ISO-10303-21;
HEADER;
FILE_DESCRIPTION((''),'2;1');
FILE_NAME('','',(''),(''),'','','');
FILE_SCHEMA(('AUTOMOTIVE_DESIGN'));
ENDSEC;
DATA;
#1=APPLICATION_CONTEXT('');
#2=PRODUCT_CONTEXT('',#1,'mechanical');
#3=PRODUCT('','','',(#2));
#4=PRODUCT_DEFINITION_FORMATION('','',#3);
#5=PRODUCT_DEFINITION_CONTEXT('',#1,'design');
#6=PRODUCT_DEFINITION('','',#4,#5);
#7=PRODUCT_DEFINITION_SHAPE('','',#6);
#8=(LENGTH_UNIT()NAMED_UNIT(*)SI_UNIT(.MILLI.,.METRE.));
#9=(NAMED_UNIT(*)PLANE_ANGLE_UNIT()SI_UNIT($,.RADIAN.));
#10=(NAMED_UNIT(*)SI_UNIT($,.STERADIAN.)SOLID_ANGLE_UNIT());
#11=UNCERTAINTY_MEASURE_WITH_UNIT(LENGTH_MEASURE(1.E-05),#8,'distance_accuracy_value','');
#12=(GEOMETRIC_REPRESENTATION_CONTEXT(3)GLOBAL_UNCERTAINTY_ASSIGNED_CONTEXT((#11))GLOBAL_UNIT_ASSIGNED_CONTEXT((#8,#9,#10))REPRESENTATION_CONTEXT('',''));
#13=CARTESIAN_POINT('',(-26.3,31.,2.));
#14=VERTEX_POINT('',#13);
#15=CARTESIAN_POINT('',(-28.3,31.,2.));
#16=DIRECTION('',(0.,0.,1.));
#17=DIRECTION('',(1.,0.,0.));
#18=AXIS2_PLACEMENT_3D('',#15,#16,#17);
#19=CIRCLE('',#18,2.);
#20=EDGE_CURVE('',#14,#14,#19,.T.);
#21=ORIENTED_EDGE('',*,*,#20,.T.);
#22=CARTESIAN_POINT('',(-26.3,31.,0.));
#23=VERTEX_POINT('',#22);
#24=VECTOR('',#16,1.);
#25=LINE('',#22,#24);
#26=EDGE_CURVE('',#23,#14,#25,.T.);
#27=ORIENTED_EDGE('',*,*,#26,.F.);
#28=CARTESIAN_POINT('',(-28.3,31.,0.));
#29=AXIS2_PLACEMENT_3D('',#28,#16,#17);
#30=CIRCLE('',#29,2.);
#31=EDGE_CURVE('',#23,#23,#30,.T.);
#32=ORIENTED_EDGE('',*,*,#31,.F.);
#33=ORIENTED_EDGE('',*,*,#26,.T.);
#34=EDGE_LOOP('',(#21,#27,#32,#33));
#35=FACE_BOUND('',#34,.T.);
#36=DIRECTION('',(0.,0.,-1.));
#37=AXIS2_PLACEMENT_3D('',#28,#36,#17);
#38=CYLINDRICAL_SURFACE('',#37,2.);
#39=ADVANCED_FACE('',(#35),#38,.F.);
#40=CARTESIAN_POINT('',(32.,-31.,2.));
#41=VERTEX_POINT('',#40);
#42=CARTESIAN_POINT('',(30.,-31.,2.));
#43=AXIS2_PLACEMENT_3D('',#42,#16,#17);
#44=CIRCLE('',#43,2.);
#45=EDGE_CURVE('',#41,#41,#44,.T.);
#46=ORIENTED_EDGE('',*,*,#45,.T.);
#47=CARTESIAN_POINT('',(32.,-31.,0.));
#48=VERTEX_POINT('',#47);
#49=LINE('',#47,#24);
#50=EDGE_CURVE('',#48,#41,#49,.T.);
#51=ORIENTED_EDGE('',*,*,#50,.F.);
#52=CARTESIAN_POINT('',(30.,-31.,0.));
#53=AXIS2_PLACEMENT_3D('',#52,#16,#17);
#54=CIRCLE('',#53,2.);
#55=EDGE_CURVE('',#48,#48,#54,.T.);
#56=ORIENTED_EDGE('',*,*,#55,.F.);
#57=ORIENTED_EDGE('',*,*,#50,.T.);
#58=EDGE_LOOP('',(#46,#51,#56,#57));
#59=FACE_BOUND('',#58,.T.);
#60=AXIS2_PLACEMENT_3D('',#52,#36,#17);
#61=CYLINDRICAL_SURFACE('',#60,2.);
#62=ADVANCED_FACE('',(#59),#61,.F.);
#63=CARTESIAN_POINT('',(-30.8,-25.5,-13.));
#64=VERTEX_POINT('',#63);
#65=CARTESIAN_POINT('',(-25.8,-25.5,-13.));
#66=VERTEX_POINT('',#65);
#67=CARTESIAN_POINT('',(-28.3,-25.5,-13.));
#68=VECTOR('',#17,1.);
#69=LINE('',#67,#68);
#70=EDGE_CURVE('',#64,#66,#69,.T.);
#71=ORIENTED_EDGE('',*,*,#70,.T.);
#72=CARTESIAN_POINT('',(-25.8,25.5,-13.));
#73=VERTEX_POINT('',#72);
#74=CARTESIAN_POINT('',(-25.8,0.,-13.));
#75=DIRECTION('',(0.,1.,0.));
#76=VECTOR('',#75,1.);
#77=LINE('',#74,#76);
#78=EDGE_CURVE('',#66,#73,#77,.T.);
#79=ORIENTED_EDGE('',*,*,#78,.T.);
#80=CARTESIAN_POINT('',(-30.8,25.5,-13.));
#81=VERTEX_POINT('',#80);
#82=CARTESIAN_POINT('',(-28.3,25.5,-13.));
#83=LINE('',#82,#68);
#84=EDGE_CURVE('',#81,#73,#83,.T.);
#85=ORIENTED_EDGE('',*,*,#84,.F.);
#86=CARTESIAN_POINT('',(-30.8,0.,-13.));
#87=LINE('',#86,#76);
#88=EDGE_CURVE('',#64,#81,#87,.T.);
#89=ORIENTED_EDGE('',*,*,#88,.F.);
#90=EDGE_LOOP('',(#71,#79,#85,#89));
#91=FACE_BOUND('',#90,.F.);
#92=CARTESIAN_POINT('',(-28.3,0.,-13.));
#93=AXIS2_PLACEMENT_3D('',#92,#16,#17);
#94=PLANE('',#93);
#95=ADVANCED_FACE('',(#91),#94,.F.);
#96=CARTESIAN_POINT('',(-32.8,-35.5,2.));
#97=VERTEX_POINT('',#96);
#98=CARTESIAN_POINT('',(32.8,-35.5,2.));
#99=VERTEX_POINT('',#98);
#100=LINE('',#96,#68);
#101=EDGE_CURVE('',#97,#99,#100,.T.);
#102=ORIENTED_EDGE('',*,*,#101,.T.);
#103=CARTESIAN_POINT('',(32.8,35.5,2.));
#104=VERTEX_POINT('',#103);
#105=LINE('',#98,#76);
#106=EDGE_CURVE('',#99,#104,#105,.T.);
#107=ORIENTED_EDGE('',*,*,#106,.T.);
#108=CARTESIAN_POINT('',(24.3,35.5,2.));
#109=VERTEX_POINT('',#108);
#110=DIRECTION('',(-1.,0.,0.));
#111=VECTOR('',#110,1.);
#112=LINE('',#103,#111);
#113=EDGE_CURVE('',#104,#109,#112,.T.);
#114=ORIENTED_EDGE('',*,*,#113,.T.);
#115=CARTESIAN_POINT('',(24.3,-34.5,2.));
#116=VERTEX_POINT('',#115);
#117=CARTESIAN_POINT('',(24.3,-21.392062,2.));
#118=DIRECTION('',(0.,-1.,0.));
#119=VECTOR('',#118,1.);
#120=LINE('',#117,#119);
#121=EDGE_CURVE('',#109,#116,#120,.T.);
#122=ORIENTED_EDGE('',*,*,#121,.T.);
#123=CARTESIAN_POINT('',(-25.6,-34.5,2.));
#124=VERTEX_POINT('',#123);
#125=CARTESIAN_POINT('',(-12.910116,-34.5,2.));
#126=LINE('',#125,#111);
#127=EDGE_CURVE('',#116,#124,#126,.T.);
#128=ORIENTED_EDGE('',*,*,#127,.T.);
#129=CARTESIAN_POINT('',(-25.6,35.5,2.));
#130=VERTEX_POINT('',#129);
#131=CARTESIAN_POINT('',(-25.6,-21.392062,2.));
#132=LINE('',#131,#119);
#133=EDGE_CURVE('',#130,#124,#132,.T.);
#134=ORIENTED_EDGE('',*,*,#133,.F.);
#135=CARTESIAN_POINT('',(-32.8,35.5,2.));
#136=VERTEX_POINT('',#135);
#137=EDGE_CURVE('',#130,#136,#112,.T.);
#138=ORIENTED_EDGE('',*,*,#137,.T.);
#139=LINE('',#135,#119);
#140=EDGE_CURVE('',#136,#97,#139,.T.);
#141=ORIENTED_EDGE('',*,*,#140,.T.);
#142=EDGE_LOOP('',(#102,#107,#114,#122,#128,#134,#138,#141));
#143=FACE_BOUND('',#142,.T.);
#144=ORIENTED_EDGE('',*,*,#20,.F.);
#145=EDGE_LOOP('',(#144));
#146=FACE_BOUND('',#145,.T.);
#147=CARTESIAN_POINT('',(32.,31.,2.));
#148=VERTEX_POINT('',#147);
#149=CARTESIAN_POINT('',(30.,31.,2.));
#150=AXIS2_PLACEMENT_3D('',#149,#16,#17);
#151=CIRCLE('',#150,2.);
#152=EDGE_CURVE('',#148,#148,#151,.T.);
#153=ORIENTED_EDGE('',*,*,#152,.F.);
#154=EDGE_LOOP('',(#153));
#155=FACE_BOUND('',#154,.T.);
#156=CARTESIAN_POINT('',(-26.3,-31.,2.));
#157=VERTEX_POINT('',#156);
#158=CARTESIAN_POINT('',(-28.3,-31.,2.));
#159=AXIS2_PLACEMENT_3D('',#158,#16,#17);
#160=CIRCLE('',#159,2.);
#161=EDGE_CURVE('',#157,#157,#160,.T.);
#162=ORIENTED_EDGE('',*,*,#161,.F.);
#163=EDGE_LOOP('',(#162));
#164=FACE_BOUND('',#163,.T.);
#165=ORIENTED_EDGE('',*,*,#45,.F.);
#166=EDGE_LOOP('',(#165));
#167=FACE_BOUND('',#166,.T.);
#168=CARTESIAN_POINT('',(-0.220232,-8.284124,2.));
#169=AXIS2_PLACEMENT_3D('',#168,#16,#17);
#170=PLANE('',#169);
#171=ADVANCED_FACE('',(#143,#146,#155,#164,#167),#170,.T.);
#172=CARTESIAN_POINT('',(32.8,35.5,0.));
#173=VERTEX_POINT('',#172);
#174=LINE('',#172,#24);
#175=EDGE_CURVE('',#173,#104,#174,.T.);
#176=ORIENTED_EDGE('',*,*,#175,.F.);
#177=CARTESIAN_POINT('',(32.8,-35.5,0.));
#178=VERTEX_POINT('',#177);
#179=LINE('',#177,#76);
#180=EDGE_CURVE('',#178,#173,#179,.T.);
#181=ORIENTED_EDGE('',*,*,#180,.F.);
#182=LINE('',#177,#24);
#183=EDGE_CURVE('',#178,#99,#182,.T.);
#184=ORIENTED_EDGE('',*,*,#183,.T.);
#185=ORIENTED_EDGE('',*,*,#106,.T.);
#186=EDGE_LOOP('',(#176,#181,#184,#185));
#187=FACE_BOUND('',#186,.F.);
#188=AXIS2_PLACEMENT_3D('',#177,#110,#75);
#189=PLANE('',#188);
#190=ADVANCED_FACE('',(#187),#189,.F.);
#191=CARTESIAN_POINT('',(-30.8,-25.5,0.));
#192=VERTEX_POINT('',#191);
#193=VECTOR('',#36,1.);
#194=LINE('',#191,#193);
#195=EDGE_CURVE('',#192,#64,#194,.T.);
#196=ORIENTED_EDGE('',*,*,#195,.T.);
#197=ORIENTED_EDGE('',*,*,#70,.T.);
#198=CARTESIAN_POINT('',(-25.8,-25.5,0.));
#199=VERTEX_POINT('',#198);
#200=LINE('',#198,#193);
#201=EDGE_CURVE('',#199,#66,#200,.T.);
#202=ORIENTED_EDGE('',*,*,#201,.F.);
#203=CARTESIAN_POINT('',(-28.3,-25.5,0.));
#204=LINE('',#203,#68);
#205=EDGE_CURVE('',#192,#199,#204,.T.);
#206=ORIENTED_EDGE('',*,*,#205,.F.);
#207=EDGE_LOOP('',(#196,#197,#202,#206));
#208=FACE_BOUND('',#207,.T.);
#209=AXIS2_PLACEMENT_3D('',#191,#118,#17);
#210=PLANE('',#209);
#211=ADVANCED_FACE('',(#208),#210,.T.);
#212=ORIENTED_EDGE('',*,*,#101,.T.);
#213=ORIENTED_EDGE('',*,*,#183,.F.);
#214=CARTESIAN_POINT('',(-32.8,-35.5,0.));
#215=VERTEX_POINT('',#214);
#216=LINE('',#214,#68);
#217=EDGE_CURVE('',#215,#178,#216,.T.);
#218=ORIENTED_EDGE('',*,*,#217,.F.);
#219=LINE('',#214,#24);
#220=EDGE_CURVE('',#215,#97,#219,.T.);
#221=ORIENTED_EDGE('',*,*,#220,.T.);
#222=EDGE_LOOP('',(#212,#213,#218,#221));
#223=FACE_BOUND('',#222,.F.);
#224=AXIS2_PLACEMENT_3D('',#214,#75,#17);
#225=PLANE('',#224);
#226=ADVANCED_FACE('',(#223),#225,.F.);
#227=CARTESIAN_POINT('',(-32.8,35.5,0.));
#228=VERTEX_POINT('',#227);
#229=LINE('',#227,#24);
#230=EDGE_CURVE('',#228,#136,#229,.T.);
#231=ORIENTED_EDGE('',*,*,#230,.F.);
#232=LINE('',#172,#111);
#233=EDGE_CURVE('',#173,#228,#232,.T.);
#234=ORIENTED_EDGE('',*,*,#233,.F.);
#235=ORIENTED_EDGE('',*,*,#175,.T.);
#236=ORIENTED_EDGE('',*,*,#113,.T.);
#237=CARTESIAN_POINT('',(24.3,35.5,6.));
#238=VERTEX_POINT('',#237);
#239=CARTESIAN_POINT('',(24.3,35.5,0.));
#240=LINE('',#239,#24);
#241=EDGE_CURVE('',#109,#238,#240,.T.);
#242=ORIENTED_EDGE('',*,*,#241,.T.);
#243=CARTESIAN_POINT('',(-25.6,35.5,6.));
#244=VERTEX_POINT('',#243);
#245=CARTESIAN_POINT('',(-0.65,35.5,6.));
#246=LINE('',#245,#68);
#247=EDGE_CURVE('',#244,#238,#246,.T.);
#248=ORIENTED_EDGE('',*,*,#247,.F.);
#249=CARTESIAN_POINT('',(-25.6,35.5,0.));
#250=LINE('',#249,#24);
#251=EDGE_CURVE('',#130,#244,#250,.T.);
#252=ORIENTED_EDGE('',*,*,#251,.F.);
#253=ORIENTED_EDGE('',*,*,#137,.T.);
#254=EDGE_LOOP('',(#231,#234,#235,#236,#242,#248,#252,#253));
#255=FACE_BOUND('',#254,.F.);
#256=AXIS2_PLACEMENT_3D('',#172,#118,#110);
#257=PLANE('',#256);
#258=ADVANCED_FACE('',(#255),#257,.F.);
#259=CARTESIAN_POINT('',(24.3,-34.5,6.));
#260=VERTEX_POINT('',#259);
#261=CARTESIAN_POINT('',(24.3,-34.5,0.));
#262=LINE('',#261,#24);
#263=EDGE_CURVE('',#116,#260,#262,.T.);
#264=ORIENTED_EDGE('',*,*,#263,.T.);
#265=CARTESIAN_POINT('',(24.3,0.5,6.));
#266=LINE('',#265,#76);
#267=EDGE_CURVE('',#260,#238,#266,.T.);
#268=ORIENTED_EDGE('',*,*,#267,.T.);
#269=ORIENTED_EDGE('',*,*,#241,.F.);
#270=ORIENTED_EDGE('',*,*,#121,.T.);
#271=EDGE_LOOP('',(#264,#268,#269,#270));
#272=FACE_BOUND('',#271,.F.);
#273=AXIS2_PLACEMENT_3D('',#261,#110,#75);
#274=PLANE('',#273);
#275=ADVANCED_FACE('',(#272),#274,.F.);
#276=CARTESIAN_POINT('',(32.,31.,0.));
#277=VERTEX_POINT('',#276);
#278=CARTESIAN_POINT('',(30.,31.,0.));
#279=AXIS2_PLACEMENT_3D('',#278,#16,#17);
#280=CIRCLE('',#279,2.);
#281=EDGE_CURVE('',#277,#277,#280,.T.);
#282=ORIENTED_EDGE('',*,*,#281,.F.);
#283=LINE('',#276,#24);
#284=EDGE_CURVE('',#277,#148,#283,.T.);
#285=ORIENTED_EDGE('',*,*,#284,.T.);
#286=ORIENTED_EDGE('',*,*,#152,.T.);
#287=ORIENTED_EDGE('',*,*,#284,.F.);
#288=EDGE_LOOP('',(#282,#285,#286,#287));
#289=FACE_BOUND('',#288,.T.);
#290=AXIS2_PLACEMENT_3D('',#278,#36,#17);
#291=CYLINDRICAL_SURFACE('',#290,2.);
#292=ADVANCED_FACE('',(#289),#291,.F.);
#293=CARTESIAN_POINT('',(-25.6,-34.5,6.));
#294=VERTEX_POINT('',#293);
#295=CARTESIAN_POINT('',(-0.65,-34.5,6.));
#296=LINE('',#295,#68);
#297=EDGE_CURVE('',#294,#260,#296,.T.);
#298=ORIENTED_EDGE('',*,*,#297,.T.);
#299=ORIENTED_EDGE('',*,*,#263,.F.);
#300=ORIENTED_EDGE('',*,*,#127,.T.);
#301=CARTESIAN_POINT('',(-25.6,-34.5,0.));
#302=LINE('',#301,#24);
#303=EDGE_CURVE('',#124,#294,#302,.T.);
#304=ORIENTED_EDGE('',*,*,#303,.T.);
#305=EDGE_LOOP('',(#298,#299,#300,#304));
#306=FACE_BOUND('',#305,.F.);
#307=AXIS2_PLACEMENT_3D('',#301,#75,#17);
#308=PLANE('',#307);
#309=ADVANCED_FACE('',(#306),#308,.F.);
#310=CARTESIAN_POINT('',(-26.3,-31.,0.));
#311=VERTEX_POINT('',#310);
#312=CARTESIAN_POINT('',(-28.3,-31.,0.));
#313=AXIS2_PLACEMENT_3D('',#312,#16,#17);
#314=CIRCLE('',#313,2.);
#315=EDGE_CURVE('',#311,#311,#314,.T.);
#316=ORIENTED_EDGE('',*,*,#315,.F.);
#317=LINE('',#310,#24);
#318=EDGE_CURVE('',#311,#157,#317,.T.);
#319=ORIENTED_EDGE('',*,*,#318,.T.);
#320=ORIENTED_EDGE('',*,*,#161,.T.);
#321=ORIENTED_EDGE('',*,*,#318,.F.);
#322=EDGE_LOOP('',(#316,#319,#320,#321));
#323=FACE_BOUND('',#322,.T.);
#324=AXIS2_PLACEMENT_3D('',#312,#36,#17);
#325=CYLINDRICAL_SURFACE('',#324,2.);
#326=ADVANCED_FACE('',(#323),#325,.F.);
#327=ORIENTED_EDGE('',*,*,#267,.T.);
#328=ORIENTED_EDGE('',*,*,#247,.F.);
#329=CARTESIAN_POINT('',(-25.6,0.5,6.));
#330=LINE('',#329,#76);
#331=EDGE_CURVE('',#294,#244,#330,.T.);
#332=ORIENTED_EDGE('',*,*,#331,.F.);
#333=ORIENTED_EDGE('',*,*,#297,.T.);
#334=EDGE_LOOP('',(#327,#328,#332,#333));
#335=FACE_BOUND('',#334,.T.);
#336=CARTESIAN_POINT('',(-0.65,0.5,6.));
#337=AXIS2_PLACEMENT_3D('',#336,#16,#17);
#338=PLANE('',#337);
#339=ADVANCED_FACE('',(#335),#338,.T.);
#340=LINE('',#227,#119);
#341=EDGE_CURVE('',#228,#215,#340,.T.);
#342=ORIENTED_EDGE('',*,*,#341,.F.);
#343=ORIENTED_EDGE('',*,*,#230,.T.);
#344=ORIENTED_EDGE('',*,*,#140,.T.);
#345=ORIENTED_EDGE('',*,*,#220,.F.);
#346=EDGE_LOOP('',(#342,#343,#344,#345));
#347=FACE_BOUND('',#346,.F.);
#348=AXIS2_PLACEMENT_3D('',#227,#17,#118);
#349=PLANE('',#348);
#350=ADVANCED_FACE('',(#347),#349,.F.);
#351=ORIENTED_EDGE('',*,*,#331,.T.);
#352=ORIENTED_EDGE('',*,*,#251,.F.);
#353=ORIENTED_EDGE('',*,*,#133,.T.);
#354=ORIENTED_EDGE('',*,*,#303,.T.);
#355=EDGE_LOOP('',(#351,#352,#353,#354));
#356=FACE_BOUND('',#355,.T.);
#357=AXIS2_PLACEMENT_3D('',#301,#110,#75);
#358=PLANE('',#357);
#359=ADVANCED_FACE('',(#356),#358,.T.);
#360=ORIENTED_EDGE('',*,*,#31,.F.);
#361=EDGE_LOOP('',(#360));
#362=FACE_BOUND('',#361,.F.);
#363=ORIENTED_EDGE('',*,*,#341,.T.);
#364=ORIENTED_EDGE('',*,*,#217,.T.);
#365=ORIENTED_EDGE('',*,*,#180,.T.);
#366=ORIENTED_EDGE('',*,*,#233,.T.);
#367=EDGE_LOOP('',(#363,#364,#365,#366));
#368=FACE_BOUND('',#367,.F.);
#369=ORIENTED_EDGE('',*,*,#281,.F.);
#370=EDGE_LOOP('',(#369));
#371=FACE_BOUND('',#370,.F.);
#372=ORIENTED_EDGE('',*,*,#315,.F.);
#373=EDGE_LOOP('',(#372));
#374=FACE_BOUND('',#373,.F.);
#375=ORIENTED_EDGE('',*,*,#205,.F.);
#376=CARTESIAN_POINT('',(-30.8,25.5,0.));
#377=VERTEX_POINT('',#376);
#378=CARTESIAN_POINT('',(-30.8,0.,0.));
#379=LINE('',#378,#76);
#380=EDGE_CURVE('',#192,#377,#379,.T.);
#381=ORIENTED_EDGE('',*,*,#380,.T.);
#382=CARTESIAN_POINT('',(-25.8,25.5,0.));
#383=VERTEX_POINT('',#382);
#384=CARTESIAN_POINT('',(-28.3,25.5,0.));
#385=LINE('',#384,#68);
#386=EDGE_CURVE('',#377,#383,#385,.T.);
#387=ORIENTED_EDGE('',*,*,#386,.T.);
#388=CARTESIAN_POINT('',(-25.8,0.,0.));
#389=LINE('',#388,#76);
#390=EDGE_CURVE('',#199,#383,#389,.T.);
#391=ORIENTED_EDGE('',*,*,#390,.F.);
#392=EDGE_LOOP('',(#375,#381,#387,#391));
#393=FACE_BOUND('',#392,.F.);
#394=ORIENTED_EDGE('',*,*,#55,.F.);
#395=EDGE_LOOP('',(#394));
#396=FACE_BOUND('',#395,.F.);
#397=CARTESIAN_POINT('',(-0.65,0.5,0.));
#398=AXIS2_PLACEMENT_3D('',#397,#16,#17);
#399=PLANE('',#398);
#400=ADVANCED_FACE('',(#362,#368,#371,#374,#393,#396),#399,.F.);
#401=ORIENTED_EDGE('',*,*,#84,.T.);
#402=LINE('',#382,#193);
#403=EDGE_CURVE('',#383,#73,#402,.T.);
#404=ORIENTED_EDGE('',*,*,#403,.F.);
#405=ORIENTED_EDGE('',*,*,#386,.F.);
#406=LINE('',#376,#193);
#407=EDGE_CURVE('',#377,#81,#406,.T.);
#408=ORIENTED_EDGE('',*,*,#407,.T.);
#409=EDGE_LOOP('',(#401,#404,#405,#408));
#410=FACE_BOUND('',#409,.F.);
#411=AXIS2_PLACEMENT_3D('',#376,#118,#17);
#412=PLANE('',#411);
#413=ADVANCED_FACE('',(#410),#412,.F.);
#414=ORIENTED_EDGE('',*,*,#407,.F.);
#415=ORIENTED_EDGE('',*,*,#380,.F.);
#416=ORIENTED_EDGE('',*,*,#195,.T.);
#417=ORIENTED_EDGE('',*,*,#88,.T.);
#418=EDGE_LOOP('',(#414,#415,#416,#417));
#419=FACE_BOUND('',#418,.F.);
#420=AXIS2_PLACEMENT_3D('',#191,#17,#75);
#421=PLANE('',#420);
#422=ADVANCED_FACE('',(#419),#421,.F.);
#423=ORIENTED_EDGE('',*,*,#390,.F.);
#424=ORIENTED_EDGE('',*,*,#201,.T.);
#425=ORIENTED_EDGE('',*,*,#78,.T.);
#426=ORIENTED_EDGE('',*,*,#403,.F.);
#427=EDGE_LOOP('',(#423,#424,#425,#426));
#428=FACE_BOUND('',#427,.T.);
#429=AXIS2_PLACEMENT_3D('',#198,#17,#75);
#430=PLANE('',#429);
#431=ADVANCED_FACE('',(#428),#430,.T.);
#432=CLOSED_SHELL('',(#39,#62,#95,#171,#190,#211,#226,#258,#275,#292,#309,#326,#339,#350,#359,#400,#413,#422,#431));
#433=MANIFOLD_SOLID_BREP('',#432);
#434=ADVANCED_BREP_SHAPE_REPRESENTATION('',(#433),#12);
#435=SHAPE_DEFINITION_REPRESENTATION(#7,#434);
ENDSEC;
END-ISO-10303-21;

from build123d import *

# Parameters (mm, degrees)
F0_R     = 2
F0_W     = 5
F0_H     = 51
F0_W_2   = 49.9
F0_H_2   = 70
F1_DEPTH = 2
F2_DEPTH = 6
F3_DEPTH = 13


with BuildPart() as f1:
    # F0 (on Top) → F1 (new body)
    with BuildSketch(Plane.XY):
        Polygon((-25.6, 35.5), (-32.8, 35.5), (-32.8, -35.5), (32.8, -35.5), (32.8, 35.5), (24.3, 35.5), (24.3, -34.5), (-25.6, -34.5), align=None)
        with Locations((-28.3, -31)):
            Circle(F0_R, mode=Mode.SUBTRACT)
        with Locations((30, -31)):
            Circle(F0_R, mode=Mode.SUBTRACT)
        with Locations((-28.3, 0)):
            Rectangle(F0_W, F0_H, mode=Mode.SUBTRACT)
        with Locations((-28.3, 31)):
            Circle(F0_R, mode=Mode.SUBTRACT)
        with Locations((30, 31)):
            Circle(F0_R, mode=Mode.SUBTRACT)
        with Locations((-0.65, 0.5)):
            Rectangle(F0_W_2, F0_H_2)
        with Locations((-28.3, 0)):
            Rectangle(F0_W, F0_H)
    extrude(amount=F1_DEPTH)

    # F0 (on Top) → F2 (join)
    with BuildSketch(Plane.XY):
        with Locations((-0.65, 0.5)):
            Rectangle(F0_W_2, F0_H_2)
    extrude(amount=F2_DEPTH)

    # F0 (on Top) → F3 (join)
    with BuildSketch(Plane.XY):
        with Locations((-28.3, 0)):
            Rectangle(F0_W, F0_H)
    extrude(amount=-F3_DEPTH)


solid = f1.part
